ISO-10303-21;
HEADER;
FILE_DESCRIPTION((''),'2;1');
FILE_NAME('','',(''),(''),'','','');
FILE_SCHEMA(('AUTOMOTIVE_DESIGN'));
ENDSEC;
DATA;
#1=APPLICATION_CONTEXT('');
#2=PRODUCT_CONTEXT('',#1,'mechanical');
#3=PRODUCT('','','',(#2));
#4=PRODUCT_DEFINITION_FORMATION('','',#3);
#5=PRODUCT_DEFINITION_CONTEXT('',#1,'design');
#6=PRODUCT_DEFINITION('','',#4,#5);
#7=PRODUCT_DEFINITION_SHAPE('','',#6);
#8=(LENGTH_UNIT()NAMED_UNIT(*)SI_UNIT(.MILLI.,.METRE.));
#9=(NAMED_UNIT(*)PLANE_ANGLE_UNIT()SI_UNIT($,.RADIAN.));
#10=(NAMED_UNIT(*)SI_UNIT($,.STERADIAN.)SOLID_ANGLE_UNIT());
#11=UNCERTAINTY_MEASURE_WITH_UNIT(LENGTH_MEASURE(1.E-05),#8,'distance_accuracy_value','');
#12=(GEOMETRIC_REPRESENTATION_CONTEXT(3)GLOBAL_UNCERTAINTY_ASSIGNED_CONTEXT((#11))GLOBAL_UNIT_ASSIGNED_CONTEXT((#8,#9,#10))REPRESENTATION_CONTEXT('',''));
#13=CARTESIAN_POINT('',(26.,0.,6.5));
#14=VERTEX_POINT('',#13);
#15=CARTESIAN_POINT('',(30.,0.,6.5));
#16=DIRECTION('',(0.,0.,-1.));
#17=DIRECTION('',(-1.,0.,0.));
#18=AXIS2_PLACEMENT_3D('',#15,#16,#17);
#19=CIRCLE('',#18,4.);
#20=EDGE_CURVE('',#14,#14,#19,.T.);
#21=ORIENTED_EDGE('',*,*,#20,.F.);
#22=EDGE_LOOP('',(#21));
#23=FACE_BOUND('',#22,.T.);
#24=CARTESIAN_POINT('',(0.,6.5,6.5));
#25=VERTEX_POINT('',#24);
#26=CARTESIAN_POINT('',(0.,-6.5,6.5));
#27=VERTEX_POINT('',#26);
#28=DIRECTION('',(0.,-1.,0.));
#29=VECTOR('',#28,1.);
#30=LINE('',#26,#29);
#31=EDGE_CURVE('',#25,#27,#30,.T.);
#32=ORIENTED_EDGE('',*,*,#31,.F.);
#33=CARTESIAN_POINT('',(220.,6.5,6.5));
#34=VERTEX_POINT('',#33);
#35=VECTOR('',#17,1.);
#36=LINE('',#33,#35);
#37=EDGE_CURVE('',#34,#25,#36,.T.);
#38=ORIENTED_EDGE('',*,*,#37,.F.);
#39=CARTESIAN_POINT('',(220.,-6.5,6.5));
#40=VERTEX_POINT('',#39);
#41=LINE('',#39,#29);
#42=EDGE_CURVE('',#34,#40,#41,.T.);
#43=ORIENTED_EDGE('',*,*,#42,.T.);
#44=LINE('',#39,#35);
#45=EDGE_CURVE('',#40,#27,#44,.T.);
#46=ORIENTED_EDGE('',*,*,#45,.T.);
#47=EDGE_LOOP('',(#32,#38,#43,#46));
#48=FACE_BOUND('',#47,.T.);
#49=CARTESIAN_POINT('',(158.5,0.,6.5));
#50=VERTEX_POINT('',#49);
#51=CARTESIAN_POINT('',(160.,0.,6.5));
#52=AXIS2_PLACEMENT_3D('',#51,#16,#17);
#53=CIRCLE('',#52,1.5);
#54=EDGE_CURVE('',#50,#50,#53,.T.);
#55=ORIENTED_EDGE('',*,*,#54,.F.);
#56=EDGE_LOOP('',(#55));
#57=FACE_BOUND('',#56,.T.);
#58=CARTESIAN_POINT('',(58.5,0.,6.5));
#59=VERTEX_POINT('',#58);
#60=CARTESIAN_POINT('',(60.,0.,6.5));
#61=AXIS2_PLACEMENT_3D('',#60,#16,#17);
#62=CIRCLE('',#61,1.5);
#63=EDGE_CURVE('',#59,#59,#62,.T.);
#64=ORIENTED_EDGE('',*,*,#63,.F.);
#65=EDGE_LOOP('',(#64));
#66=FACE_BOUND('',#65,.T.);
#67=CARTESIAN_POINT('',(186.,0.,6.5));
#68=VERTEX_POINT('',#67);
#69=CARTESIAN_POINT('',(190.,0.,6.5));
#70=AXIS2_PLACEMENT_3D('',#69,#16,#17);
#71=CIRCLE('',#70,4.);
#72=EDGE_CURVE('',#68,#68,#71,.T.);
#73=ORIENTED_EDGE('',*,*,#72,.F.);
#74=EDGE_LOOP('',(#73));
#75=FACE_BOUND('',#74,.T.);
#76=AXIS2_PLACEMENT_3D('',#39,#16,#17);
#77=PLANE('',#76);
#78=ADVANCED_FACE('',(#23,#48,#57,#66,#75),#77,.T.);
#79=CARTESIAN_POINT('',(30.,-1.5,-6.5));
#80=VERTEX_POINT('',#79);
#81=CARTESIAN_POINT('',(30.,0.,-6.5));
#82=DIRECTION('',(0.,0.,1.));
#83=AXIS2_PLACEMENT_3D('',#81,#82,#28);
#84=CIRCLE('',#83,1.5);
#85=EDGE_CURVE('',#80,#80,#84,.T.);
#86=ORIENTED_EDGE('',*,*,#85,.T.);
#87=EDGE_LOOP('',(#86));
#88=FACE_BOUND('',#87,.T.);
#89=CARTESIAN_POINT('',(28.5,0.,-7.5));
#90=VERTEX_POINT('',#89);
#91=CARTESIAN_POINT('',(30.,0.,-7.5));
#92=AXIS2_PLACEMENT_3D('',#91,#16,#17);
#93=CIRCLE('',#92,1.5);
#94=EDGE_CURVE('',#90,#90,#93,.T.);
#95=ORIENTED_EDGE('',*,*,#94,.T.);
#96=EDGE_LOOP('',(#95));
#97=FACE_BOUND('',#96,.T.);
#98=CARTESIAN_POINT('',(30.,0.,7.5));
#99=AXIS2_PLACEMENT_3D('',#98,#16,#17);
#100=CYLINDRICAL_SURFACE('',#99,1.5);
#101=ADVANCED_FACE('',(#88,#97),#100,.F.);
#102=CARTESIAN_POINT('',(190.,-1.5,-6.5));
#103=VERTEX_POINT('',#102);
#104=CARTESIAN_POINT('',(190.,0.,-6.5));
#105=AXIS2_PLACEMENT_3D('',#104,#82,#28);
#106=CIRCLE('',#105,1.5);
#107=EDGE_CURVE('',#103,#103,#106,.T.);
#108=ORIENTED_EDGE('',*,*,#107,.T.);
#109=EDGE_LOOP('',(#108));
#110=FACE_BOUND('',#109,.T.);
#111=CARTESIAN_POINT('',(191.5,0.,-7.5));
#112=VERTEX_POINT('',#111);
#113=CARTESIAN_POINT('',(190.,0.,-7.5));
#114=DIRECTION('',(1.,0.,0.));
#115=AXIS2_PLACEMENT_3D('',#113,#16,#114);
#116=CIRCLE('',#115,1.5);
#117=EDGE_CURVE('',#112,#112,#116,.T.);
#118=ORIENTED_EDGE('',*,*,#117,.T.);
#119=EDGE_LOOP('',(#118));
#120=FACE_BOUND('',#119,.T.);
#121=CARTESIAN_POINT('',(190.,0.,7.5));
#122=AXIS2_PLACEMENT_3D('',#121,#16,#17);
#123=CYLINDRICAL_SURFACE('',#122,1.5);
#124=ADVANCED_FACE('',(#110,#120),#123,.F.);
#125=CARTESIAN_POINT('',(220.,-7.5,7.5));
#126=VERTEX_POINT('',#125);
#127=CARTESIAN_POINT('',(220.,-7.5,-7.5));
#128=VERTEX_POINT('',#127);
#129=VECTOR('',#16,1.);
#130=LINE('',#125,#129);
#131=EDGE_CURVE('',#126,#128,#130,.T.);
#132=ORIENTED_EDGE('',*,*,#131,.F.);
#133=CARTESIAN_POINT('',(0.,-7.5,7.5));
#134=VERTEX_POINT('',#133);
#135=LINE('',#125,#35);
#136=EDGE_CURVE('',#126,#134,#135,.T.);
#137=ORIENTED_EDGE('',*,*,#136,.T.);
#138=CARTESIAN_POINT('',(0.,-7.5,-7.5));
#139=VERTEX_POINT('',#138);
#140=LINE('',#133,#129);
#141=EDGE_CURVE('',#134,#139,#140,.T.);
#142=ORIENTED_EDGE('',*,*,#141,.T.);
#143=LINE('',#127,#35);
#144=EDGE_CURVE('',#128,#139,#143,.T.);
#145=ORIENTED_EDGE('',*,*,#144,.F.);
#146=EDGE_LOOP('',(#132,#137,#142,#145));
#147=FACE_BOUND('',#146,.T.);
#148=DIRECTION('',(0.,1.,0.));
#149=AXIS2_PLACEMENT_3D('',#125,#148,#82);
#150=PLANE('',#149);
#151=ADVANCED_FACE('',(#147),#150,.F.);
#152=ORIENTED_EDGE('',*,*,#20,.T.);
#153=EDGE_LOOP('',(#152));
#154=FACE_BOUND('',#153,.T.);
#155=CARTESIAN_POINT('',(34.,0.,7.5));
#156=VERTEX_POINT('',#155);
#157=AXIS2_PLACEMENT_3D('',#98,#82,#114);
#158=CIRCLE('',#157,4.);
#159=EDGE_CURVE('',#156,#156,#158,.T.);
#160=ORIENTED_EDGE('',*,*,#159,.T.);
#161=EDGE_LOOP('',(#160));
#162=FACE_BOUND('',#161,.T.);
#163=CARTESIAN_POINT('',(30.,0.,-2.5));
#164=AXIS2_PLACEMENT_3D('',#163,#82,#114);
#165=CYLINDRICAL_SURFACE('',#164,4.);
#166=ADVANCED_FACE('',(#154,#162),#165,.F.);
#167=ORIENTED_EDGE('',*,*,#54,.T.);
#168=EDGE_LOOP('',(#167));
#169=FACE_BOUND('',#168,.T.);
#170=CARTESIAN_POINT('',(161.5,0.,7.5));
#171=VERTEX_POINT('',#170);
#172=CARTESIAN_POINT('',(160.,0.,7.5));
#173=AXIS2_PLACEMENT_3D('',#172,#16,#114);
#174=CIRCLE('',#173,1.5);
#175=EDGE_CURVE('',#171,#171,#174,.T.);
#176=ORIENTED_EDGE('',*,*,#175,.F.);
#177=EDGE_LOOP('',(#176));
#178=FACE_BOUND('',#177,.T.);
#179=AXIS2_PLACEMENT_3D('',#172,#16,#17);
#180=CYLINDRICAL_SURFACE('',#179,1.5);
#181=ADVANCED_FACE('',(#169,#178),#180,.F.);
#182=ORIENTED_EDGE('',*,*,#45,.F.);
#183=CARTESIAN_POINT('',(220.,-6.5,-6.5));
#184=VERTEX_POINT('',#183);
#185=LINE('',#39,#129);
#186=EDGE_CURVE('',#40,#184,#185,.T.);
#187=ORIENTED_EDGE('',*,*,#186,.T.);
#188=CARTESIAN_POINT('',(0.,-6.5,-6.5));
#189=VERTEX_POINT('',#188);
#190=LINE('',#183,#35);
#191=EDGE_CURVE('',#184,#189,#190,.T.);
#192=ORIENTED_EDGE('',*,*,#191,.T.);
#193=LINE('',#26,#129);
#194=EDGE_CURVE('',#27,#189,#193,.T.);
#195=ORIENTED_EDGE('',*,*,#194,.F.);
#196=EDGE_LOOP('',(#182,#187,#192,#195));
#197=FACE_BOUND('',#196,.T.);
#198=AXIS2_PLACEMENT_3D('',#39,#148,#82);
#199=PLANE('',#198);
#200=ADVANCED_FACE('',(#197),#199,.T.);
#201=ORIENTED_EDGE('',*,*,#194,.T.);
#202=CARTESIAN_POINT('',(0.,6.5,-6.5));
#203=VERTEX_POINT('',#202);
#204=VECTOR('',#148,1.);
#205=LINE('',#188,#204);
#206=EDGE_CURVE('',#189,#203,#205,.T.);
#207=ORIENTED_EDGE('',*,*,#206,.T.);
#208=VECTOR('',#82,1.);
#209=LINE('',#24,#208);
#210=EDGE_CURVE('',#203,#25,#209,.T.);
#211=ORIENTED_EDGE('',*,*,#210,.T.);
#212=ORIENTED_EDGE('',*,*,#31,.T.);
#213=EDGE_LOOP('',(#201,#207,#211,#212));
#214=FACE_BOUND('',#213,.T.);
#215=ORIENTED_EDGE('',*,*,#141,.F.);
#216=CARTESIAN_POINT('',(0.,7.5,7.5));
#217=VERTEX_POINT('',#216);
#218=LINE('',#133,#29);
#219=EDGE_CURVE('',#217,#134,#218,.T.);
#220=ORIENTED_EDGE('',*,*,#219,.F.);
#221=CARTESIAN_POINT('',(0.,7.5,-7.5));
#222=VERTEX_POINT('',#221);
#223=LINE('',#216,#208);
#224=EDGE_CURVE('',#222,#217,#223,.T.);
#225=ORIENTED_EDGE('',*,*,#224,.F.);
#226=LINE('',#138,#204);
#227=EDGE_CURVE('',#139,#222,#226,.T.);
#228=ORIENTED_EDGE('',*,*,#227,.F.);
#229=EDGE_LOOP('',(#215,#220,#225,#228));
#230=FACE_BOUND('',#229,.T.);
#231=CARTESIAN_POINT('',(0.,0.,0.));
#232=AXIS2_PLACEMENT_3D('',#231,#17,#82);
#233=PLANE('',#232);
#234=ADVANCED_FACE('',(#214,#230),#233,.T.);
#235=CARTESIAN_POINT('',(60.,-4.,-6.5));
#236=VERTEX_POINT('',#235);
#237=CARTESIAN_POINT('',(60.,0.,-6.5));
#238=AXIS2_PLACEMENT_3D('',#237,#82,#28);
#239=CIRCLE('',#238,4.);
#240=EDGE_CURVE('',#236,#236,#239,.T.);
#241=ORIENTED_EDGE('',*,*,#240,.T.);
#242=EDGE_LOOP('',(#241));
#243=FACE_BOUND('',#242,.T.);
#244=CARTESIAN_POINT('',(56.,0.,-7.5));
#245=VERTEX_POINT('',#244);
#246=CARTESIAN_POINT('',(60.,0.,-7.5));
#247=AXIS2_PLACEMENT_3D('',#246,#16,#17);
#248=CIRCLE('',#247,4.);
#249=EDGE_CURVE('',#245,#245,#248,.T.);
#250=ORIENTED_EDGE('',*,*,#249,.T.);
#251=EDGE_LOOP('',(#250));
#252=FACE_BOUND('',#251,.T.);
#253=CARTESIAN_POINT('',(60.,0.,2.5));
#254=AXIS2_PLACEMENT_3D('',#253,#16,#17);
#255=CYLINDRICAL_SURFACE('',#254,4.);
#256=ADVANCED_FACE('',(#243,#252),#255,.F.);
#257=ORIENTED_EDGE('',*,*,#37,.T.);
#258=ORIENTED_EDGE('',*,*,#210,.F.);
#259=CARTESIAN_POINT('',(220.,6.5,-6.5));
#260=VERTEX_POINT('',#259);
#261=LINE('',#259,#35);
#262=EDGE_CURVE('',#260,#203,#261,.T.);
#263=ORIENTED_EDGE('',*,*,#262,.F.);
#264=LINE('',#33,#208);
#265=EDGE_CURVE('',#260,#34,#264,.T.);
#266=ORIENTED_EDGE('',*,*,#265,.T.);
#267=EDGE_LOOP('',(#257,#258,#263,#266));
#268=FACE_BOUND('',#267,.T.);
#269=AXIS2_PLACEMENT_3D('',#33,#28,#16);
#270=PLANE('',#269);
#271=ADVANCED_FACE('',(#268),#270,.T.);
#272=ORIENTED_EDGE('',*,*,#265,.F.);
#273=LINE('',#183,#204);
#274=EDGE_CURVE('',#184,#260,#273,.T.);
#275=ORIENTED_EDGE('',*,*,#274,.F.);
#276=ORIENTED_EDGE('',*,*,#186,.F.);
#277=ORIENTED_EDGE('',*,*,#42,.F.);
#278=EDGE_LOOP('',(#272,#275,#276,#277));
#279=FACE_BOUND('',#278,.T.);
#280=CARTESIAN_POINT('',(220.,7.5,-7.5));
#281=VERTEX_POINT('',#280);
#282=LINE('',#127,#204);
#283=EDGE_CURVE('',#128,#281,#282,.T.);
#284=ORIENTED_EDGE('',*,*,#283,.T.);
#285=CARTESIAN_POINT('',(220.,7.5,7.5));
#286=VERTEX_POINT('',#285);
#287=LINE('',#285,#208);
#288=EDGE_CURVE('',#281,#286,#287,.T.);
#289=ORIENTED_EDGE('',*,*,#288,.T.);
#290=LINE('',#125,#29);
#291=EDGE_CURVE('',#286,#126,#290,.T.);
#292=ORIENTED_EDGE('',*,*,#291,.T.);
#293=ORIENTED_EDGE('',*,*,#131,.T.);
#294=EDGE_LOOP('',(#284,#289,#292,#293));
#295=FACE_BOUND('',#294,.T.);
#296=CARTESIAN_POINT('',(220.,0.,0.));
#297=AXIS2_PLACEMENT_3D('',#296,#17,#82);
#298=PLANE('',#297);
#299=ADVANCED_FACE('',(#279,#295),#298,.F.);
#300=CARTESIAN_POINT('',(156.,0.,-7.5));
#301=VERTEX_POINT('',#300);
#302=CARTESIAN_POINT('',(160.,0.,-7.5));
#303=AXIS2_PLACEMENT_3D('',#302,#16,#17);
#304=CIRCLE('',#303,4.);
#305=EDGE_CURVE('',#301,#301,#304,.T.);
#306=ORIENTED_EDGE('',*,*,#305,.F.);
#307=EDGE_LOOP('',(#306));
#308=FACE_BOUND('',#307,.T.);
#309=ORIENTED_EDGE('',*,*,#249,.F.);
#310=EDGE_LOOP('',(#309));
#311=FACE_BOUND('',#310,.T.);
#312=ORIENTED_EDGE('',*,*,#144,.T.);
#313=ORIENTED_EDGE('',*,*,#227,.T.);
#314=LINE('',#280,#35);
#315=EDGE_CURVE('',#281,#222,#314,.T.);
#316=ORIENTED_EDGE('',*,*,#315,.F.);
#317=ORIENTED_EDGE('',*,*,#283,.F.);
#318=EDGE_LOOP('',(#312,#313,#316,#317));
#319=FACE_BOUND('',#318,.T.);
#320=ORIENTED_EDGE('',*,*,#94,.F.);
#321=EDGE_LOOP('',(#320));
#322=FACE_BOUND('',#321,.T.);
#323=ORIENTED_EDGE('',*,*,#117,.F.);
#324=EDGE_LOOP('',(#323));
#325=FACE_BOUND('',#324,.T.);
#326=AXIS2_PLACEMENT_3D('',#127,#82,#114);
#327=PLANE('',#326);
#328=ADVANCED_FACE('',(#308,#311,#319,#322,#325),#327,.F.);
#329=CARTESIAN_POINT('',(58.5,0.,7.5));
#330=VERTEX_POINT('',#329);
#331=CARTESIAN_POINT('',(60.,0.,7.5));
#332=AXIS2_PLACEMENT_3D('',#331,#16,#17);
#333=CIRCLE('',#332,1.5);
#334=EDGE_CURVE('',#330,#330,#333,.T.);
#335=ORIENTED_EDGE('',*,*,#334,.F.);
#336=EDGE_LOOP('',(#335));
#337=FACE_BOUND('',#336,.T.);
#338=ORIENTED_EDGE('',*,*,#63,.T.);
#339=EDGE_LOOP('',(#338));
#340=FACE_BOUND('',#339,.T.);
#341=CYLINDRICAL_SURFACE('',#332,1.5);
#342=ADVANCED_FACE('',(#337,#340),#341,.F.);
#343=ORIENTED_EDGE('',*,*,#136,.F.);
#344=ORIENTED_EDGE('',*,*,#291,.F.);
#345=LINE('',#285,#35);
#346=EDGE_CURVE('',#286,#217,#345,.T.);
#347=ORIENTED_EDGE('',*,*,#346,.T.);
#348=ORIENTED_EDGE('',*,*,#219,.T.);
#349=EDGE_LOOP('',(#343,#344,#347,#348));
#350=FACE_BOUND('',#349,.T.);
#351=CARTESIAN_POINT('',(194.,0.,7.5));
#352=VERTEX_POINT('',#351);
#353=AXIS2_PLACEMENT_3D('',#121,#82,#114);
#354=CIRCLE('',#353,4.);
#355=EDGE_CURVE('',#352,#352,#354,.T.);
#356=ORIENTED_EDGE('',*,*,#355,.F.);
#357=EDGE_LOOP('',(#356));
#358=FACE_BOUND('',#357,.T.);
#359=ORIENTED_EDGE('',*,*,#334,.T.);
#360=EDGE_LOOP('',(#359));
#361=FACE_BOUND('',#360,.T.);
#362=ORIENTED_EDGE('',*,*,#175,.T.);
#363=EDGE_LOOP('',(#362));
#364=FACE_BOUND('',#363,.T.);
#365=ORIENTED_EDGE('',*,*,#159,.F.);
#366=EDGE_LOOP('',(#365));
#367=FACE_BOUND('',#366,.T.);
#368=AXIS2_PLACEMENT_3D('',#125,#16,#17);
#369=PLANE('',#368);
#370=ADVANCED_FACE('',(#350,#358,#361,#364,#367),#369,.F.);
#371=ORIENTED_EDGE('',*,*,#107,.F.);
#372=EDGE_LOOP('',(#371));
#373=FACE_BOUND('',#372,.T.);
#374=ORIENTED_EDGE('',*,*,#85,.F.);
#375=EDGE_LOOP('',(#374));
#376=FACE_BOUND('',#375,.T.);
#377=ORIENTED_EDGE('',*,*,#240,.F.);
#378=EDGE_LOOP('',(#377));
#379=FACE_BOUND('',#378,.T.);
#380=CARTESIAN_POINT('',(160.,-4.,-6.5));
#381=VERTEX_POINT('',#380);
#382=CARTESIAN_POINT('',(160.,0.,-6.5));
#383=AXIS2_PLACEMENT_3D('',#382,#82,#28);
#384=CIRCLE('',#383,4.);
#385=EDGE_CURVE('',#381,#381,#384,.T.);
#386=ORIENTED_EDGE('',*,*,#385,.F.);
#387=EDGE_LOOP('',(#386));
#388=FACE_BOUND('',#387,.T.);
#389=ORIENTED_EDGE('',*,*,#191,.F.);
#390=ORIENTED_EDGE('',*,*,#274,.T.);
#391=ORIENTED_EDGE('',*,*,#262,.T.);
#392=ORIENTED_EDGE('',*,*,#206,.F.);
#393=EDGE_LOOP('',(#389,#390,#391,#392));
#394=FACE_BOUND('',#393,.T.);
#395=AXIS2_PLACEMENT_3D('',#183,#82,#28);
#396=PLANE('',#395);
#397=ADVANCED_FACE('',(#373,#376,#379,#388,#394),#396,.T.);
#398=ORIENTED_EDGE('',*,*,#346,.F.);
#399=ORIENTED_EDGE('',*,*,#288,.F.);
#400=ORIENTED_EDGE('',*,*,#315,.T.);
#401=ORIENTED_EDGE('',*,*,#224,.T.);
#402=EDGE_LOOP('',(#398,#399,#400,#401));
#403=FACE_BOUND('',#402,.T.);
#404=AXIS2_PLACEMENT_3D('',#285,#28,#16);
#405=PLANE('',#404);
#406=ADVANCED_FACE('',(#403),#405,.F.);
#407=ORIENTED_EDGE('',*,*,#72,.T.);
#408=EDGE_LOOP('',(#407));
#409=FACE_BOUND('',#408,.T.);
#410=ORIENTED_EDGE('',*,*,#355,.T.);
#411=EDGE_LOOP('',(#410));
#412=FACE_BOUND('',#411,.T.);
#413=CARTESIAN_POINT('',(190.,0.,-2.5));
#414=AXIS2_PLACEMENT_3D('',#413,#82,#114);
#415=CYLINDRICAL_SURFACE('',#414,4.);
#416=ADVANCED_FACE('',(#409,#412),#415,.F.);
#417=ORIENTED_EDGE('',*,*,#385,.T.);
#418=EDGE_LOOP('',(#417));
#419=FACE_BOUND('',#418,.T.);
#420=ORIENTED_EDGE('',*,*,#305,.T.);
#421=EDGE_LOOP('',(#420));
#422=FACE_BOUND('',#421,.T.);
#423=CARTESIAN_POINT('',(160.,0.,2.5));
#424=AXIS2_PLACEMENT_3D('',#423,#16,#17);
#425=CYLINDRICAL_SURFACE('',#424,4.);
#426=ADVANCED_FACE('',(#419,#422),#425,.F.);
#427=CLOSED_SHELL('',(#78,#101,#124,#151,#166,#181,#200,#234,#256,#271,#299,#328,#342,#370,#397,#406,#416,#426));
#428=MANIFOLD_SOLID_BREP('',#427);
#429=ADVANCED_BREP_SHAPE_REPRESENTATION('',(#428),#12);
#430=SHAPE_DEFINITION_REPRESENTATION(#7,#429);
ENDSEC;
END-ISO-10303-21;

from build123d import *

# Parameters (mm, degrees)
SKETCH_1_W          = 15
SKETCH_1_H          = 15
SKETCH_1_W_2        = 13
SKETCH_1_H_2        = 13
EXTRUDE_1_DEPTH     = 220
SKETCH_2_R          = 1.5
CUT_EXTRUDE_4_DEPTH = 221.638278637
SKETCH_5_R          = 4
CUT_EXTRUDE_5_DEPTH = 10
SKETCH_6_R          = 4
CUT_EXTRUDE_6_DEPTH = 10


with BuildPart() as part:
    # 草图1 → 凸台-拉伸1 (new body)
    with BuildSketch(Plane(origin=(0, 0, 0), x_dir=(0, 0, -1), z_dir=(1, 0, 0))):
        Rectangle(SKETCH_1_W, SKETCH_1_H)
        Rectangle(SKETCH_1_W_2, SKETCH_1_H_2, mode=Mode.SUBTRACT)
    extrude(amount=EXTRUDE_1_DEPTH)

    # 草图2 → 切除-拉伸4 (cut, through all)
    with BuildSketch(Plane(origin=(0, 0, -7.5), x_dir=(-1, 0, 0), z_dir=(0, 0, -1))):
        with Locations((-30, 0)):
            Circle(SKETCH_2_R)
        with Locations((-60, 0)):
            Circle(SKETCH_2_R)
        with Locations(Location((-160, 0, 0), (0, 0, 270))):
            Circle(SKETCH_2_R)
        with Locations(Location((-190, 0, 0), (0, 0, 270))):
            Circle(SKETCH_2_R)
    extrude(amount=-CUT_EXTRUDE_4_DEPTH, mode=Mode.SUBTRACT)

    # 草图5 → 切除-拉伸5 (cut)
    with BuildSketch(Plane(origin=(0, 0, -7.5), x_dir=(-1, 0, 0), z_dir=(0, 0, -1))):
        with Locations((-160, 0)):
            Circle(SKETCH_5_R)
        with Locations((-60, 0)):
            Circle(SKETCH_5_R)
    extrude(amount=-CUT_EXTRUDE_5_DEPTH, mode=Mode.SUBTRACT)

    # 草图6 → 切除-拉伸6 (cut)
    with BuildSketch(Plane.XY.offset(7.5)):
        with Locations((190, 0)):
            Circle(SKETCH_6_R)
        with Locations((30, 0)):
            Circle(SKETCH_6_R)
    extrude(amount=-CUT_EXTRUDE_6_DEPTH, mode=Mode.SUBTRACT)


solid = part.part
